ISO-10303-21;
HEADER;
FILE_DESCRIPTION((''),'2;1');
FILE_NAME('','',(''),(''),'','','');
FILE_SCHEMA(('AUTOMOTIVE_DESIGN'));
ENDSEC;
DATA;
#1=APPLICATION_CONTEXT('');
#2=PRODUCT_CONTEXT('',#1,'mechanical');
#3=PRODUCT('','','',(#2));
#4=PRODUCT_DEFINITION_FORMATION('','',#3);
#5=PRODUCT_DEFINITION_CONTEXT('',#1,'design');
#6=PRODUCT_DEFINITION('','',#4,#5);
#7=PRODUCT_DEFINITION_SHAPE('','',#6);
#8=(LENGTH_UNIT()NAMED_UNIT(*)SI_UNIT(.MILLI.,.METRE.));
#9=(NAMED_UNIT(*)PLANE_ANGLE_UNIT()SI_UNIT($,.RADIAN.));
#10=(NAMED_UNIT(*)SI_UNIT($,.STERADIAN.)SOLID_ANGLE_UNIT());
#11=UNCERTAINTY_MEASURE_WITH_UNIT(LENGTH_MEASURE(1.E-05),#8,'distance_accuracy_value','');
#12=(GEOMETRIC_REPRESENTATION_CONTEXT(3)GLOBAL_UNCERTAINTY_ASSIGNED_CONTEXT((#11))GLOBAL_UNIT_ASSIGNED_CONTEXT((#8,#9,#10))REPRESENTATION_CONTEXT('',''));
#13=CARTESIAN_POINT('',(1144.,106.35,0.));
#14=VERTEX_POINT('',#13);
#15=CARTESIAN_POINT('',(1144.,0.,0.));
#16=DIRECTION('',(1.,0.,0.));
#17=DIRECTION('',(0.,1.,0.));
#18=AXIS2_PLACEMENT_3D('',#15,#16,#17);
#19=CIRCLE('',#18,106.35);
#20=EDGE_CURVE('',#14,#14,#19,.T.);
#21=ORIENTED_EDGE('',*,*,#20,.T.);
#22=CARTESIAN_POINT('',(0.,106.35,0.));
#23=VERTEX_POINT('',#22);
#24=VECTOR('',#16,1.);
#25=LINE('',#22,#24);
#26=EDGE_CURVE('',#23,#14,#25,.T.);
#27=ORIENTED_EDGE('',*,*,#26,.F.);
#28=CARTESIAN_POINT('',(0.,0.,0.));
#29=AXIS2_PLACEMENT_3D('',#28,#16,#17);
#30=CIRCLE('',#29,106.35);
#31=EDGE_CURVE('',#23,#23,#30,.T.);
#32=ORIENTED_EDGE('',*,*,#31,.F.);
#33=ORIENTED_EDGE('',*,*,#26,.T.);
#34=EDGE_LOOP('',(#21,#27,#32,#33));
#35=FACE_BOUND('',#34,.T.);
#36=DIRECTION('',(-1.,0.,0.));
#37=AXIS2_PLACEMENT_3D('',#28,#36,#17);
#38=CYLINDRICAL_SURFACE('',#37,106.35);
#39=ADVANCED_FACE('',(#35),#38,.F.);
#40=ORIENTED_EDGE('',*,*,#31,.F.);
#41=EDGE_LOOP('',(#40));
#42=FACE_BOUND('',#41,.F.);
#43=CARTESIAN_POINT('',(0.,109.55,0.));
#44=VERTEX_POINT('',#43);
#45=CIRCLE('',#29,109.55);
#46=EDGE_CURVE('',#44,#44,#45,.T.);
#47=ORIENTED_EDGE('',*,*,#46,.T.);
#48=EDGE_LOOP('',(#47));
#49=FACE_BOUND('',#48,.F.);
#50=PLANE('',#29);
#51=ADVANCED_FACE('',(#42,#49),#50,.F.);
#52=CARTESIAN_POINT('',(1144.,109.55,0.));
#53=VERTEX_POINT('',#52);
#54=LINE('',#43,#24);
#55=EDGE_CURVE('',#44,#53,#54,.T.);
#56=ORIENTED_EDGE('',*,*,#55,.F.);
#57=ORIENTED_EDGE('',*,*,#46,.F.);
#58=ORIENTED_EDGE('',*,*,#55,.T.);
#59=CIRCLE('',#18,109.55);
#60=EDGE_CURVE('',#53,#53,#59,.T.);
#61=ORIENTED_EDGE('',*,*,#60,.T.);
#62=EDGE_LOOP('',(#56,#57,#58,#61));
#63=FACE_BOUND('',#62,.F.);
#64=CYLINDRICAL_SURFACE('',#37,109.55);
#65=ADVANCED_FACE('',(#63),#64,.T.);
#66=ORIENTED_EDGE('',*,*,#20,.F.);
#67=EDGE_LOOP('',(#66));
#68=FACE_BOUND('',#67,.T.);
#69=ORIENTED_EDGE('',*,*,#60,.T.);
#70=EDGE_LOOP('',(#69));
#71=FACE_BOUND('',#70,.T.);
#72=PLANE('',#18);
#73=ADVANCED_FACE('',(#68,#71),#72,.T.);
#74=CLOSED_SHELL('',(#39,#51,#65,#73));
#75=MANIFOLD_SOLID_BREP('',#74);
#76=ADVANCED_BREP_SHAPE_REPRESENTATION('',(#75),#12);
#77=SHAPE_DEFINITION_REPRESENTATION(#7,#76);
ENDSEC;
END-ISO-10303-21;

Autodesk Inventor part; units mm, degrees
ref_plane "YZ Plane" through (0, 0, 0) normal (1, 0, 0) x (0, 1, 0)
ref_plane "XZ Plane" through (0, 0, 0) normal (0, 1, 0) x (-1, 0, 0)
ref_plane "XY Plane" through (0, 0, 0) normal (0, 0, 1) x (1, 0, 0)
sketch "Sketch1" plane through (0, 0, 0) normal (1, 0, 0) x (0, 1, 0)
  circle A0 centre (0, 0) radius 109.55
  circle A1 centre (0, 0) radius 106.35
  dimension "d0" = 219.1
  dimension "d1" = 3.2
extrude "Extrusion1" add sketch "Sketch1" along normal blind 1144
equation "\"d0\" = OD"
equation "\"d1\" = t"
equation "\"d2\" = L"
equation "\"OD\" = 219.1"
equation "\"t\" = 3.2"
equation "\"L\" = PL"
equation "\"ID\" = 212.7"
equation "\"PL\" = 1144"
equation "\"Size_Designation\" = 1.2345"
properties material "Steel"
